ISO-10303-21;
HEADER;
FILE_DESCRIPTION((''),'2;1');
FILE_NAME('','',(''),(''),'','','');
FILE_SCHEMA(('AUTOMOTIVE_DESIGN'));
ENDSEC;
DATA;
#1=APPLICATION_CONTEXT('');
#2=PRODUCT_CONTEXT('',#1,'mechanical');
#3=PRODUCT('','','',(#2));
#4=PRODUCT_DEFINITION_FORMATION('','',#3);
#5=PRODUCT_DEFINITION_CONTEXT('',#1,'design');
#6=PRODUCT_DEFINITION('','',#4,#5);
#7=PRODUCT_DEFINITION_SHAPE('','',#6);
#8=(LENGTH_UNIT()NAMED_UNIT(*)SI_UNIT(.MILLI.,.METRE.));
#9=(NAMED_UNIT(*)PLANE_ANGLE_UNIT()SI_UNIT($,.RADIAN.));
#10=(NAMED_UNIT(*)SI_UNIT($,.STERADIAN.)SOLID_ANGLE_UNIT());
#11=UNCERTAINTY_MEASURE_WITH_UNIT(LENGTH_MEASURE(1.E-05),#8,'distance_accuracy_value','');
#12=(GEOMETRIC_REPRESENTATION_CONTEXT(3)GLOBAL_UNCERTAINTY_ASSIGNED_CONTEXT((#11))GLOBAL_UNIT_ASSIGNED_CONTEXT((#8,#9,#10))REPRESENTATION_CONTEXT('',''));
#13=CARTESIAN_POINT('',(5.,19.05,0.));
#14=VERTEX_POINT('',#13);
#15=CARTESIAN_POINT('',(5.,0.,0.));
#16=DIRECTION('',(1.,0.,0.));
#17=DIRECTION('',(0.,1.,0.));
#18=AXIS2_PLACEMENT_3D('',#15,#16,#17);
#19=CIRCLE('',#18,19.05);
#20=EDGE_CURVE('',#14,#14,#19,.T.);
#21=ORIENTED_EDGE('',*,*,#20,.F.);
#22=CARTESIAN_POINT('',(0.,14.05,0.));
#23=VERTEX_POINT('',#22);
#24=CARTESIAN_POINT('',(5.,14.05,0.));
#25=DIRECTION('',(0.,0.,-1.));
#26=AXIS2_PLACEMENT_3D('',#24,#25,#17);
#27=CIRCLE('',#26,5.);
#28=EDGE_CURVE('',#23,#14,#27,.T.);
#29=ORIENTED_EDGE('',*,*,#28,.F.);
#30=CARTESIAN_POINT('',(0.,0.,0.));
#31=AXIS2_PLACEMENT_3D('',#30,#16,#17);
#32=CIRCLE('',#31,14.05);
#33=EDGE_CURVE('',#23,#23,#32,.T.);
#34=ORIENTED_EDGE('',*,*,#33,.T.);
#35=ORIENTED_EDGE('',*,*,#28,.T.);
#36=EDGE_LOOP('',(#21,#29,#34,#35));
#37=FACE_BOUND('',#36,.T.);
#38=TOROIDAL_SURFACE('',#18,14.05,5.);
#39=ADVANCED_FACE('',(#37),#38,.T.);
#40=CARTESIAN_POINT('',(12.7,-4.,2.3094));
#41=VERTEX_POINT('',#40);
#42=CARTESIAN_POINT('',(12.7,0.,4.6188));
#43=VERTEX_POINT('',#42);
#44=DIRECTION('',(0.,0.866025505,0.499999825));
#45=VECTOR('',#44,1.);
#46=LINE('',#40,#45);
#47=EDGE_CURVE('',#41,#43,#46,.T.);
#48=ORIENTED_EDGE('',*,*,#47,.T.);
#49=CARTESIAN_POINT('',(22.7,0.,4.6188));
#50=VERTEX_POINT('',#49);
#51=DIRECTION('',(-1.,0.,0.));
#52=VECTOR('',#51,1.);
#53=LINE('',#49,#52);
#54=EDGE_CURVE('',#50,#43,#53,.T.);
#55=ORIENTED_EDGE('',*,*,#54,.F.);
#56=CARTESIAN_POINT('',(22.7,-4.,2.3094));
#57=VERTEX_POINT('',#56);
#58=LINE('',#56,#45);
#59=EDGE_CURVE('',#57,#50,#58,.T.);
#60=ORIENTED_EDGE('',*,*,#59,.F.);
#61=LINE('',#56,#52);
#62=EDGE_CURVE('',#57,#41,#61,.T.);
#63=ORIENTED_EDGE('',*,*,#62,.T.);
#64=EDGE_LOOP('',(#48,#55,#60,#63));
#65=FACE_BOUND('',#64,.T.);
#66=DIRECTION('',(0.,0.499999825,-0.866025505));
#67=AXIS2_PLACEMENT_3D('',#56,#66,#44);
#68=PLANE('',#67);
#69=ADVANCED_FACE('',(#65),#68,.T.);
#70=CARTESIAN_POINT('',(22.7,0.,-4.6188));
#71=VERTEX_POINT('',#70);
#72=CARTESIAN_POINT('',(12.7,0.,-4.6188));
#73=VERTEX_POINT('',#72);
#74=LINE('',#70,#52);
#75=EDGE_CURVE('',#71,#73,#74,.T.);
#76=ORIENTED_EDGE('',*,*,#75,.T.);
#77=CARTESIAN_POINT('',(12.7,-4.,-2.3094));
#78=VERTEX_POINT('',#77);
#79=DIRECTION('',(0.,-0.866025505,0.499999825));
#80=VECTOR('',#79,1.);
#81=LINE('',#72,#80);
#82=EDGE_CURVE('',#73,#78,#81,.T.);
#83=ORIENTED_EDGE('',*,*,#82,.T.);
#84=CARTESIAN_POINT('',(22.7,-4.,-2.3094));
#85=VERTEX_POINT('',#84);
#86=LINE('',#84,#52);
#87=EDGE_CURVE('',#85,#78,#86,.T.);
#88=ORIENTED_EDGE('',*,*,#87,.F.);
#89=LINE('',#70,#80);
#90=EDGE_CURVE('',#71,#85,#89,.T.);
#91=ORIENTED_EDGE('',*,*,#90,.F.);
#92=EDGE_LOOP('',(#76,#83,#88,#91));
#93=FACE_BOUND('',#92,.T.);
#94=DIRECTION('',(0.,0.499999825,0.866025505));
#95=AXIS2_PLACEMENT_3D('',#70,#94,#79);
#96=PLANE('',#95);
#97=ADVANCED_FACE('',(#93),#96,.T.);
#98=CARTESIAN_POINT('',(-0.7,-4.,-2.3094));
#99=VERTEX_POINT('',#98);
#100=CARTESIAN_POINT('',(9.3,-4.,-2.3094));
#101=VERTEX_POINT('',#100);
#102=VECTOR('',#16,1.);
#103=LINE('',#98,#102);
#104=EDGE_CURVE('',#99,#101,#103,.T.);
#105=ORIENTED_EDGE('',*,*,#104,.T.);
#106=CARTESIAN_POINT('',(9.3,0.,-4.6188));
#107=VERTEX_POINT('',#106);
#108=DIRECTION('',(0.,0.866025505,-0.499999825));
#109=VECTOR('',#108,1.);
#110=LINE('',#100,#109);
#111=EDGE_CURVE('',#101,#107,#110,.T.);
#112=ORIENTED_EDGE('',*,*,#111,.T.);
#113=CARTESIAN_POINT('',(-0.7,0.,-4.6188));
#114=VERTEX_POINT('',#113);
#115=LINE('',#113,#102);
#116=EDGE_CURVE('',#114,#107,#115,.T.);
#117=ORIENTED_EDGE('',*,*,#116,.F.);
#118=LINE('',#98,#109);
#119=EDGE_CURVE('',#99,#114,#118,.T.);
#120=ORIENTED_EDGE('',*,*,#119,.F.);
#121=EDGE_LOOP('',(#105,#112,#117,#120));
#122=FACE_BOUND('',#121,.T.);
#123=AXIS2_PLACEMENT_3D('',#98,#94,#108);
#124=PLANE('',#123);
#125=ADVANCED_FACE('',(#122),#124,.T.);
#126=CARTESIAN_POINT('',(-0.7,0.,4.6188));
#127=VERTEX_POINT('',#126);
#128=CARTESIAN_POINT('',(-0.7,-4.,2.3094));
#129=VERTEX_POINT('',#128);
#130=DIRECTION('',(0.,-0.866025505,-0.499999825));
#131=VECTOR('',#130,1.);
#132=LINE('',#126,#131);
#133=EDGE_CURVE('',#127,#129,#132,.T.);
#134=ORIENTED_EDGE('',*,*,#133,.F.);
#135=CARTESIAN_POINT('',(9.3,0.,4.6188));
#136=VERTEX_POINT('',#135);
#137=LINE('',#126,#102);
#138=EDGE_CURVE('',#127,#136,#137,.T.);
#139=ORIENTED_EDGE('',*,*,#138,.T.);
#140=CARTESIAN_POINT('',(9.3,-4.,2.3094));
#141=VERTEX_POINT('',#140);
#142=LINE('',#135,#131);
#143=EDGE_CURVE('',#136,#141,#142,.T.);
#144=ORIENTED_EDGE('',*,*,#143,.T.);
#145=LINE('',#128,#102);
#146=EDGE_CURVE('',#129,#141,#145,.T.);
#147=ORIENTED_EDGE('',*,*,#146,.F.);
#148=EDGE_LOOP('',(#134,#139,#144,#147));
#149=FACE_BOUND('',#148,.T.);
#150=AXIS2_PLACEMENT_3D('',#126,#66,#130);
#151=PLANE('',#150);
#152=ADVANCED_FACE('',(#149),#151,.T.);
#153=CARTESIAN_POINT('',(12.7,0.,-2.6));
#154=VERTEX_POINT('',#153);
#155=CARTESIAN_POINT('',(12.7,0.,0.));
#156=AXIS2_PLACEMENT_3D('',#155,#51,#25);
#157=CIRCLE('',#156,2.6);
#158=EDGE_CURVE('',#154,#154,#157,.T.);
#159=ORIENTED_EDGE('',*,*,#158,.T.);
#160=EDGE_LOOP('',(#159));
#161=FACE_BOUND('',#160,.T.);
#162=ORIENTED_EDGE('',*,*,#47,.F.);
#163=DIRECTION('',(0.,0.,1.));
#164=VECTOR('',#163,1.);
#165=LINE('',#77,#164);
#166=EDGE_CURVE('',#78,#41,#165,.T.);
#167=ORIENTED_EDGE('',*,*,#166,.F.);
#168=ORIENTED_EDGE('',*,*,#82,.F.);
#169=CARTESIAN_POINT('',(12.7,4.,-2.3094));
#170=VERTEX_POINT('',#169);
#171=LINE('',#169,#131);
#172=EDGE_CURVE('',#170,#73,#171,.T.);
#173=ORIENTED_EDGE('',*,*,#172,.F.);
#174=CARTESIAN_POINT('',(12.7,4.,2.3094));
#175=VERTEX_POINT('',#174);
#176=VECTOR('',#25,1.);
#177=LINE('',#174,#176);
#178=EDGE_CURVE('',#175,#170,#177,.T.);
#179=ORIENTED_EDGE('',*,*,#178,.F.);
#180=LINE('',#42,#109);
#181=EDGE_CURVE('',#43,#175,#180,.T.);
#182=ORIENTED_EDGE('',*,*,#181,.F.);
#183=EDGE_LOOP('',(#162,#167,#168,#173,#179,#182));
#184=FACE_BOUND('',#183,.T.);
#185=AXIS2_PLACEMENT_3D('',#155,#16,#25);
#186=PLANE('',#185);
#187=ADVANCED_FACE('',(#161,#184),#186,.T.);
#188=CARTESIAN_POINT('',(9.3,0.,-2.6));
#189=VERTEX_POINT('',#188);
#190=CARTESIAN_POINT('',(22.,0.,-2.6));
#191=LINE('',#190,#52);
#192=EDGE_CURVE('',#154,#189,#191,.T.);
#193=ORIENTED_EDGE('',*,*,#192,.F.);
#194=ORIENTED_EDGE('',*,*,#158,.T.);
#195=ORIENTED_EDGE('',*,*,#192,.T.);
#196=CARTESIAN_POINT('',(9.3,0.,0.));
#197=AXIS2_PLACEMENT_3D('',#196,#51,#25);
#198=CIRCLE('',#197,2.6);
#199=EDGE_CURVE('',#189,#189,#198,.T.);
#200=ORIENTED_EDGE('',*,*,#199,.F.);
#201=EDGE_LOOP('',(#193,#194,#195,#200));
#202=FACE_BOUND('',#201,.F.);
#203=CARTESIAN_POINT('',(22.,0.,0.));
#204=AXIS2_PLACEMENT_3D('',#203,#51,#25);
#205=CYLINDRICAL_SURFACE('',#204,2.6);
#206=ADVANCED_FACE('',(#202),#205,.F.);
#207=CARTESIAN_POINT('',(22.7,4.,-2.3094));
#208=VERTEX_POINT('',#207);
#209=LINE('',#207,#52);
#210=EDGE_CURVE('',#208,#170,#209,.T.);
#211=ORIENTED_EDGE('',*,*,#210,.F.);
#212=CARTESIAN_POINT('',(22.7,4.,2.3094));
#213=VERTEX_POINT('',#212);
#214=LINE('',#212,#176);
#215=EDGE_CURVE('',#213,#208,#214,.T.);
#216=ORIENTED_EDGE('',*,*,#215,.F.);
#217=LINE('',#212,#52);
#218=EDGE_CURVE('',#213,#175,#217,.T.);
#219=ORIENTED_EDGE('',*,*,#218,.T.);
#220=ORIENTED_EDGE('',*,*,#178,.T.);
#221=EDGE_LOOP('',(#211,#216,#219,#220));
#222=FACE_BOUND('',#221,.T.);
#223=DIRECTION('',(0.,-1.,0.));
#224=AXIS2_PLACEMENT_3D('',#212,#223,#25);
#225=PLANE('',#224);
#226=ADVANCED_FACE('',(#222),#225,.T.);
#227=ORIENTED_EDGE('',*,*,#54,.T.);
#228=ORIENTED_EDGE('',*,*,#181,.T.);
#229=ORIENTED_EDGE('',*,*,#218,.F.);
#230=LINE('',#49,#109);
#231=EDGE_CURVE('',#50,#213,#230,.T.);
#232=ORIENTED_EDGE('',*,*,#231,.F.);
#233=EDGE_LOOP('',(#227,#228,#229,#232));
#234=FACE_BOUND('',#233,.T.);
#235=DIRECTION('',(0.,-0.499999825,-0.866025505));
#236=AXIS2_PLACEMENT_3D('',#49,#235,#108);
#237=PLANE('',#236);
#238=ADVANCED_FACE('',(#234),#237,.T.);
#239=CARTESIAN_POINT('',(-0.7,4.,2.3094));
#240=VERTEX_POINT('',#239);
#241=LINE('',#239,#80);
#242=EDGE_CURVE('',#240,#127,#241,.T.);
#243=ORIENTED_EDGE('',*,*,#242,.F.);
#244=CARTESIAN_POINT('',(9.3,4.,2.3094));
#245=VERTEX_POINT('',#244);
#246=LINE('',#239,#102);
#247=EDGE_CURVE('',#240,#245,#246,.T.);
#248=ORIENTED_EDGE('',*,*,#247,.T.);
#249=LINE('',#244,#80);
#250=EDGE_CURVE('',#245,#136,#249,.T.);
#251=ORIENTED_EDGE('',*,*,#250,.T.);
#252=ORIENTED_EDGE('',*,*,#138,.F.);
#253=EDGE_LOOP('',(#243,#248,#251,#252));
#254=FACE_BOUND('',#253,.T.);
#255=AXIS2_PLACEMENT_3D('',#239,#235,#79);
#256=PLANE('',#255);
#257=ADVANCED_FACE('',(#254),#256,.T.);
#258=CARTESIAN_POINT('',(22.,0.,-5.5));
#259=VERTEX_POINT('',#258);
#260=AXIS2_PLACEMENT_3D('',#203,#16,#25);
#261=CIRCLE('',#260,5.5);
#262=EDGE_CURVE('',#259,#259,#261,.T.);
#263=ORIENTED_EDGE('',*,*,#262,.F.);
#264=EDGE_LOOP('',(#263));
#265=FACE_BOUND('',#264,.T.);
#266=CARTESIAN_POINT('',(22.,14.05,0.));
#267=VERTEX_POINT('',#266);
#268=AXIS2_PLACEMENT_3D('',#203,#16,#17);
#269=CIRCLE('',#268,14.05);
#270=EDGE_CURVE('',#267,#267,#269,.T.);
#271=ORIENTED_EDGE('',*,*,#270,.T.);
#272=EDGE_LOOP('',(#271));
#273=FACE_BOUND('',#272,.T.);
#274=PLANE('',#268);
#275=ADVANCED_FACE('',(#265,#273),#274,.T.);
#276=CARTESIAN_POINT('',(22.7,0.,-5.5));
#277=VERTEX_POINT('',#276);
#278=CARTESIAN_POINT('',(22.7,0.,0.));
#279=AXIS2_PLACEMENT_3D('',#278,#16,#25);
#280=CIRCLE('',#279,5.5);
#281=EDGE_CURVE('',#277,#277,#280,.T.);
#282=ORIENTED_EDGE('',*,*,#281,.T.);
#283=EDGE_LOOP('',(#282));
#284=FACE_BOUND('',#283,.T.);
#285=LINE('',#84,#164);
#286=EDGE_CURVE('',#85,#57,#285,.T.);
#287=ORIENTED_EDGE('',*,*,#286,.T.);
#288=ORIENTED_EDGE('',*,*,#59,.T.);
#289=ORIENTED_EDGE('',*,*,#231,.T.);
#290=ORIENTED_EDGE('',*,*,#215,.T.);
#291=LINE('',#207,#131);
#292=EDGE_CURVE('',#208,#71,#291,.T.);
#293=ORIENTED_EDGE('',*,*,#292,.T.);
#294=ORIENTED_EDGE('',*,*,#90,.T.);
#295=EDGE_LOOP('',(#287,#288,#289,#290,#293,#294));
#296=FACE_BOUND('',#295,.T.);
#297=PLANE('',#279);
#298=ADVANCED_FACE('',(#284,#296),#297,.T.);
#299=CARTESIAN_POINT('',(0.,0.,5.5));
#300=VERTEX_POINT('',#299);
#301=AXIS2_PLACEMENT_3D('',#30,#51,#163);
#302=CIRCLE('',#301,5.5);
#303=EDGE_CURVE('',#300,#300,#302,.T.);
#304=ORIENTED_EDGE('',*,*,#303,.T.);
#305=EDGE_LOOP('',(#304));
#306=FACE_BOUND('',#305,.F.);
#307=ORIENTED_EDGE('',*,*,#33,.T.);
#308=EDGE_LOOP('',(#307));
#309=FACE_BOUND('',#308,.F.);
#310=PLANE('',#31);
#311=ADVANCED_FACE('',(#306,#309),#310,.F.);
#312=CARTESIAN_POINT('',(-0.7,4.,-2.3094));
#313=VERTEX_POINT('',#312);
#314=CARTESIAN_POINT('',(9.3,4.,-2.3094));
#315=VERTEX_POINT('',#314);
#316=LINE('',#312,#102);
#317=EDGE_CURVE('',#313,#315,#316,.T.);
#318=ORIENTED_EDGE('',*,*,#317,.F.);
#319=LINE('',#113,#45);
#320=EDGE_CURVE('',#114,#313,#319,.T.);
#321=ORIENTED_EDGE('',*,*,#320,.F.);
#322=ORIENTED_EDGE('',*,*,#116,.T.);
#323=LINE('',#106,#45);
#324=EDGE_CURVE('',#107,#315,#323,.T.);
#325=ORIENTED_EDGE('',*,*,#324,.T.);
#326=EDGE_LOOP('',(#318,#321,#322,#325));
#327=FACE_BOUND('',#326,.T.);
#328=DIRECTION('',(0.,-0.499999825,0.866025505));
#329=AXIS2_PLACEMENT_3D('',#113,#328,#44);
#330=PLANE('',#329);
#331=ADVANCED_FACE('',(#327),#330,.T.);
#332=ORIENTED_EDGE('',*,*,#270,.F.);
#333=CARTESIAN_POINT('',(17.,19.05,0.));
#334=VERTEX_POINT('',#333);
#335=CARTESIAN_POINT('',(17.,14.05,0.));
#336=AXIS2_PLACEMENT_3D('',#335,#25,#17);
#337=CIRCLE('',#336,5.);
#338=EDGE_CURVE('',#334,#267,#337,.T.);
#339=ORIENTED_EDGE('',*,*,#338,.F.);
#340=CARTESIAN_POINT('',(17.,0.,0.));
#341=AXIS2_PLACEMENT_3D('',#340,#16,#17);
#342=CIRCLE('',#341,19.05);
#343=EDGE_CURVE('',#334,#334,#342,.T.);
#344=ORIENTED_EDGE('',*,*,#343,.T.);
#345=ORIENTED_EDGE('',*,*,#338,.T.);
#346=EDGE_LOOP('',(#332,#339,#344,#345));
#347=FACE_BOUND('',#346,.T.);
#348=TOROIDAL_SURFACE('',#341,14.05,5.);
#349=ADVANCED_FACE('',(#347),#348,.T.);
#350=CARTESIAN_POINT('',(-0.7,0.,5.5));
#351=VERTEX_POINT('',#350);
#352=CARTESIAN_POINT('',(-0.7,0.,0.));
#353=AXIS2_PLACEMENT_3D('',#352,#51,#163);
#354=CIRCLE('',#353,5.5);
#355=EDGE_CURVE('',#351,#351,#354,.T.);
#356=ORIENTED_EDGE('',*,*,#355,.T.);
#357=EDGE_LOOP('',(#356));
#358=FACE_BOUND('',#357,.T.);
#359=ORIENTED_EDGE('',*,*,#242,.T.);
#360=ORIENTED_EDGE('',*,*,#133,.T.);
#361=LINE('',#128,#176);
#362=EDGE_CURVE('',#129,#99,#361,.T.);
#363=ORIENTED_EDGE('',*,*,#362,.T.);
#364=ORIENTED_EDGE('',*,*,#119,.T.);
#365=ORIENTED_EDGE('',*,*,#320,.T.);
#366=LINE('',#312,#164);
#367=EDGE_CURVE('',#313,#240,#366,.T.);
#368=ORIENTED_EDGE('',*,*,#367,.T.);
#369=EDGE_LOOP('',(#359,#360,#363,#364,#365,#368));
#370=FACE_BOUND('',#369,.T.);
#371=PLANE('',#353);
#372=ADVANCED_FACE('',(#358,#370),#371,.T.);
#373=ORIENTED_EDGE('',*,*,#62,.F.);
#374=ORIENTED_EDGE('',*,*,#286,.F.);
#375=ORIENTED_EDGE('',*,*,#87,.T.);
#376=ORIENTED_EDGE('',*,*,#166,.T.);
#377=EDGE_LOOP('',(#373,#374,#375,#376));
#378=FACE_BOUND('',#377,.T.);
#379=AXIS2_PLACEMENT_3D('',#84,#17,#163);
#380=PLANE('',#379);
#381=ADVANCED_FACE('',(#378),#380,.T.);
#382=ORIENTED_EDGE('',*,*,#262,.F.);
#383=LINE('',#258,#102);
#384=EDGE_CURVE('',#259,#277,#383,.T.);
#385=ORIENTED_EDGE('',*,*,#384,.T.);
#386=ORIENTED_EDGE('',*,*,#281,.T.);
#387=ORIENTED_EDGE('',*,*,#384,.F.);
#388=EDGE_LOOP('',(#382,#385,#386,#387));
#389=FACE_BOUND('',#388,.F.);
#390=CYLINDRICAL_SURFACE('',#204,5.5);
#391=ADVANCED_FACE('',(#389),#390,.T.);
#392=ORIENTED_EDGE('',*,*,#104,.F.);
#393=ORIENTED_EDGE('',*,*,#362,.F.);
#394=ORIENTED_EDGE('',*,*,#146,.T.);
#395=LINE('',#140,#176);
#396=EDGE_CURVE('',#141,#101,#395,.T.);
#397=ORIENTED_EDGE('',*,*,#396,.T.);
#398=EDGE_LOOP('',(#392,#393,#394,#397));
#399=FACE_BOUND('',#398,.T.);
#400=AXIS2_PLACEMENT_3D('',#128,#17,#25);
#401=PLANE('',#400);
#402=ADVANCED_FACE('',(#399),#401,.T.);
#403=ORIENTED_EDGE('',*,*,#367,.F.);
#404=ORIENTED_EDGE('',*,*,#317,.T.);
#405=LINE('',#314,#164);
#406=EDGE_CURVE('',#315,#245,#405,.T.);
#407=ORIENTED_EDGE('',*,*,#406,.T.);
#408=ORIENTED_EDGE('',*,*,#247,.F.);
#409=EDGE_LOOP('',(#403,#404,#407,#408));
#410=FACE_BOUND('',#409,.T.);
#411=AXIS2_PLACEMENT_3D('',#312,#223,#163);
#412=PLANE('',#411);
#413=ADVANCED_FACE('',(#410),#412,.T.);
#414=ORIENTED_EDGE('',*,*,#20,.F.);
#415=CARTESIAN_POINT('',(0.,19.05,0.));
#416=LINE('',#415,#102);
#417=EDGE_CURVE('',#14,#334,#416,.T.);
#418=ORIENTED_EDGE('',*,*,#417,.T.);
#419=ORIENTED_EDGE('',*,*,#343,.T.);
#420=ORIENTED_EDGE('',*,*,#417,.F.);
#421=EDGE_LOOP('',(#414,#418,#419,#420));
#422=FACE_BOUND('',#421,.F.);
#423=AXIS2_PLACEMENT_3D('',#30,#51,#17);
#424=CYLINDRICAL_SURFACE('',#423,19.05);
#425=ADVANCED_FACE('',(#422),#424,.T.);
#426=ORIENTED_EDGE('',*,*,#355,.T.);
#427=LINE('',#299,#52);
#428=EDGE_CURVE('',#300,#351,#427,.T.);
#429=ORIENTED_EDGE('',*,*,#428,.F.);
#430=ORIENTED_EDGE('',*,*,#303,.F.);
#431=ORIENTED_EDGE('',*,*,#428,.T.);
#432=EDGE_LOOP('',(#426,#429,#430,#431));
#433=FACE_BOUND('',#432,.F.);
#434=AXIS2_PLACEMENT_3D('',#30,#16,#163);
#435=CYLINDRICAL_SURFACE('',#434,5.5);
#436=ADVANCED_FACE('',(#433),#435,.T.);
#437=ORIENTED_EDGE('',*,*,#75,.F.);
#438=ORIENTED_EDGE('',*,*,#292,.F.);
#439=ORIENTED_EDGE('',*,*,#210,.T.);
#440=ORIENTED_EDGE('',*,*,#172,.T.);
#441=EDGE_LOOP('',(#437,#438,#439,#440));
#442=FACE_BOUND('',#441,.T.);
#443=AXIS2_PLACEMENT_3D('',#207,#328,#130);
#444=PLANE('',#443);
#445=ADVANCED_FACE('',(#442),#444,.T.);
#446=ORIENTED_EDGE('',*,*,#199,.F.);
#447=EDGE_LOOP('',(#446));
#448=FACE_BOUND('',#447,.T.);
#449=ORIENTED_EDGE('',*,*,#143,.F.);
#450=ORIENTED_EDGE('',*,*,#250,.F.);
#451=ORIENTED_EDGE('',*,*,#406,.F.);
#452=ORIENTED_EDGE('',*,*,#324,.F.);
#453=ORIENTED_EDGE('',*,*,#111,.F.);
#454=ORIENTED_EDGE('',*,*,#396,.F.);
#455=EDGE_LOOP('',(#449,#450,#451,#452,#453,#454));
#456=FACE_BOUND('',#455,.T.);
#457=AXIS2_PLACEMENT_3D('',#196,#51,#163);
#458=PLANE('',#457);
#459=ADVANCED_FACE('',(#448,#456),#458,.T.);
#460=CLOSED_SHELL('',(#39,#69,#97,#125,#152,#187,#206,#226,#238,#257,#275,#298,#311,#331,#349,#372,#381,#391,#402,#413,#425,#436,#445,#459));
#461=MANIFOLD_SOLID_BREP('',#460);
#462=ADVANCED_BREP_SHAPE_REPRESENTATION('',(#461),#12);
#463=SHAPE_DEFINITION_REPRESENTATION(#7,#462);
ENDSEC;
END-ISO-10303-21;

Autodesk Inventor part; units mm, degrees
ref_plane "YZ Plane" through (0, 0, 0) normal (1, 0, 0) x (0, 1, 0)
ref_plane "XZ Plane" through (0, 0, 0) normal (0, 1, 0) x (-1, 0, 0)
ref_plane "XY Plane" through (0, 0, 0) normal (0, 0, 1) x (1, 0, 0)
sketch "スケッチ1" plane through (0, 0, 0) normal (1, 0, 0) x (0, 1, 0)
  circle A0 centre (0, 0) radius 19.05
  dimension "d0" = 38.1
extrude "押し出し1" add sketch "スケッチ1" along normal blind 22
hole "穴1" at (22, 0, 0) direction (-1, 0, 0) diameter 5.2 end through all
sketch "スケッチ2" plane through (22, 0, 0) normal (1, 0, 0) x (0, 0, -1)
  circle A0 centre (0, 0) radius 5.5
  dimension "d12" = 11
extrude "押し出し2" add sketch "スケッチ2" along normal blind 0.7
sketch "スケッチ3" plane through (0, 0, 0) normal (-1, 0, 0) x (0, 0, 1)
  circle A0 centre (0, 0) radius 5.5
  dimension "d15" = 11
extrude "押し出し3" add sketch "スケッチ3" along normal blind 0.7
fillet "フィレット1" radius 5 1 edges at (0, -19.05, 0)
fillet "フィレット2" radius 5 1 edges at (22, -19.05, 0)
sketch "スケッチ4" plane through (-0.7, 0, 0) normal (-1, 0, 0) x (0, 0, 1)
  line L0 (-2.3094, -4) -> (-4.6188, 0)
  line L1 (-4.6188, 0) -> (-2.3094, 4)
  line L2 (-2.3094, 4) -> (2.3094, 4)
  line L3 (2.3094, 4) -> (4.6188, 0)
  line L4 (4.6188, 0) -> (2.3094, -4)
  line L5 (2.3094, -4) -> (-2.3094, -4)
  point P0 (0, 0)
  point P1 (0, 0)
  point P2 (0, -4)
sketch "スケッチ5" plane through (22.7, 0, 0) normal (1, 0, 0) x (0, 0, -1)
  line L0 (2.3094, 4) -> (4.6188, 0)
  line L1 (4.6188, 0) -> (2.3094, -4)
  line L2 (2.3094, -4) -> (-2.3094, -4)
  line L3 (-2.3094, -4) -> (-4.6188, 0)
  line L4 (-4.6188, 0) -> (-2.3094, 4)
  line L5 (-2.3094, 4) -> (2.3094, 4)
  point P0 (0, 0)
  point P1 (0, 0)
  point P2 (0, 4)
extrude "押し出し4" cut sketch "スケッチ4" against normal blind 10
extrude "押し出し5" cut sketch "スケッチ5" against normal blind 10
properties part number "38omuni14184"
